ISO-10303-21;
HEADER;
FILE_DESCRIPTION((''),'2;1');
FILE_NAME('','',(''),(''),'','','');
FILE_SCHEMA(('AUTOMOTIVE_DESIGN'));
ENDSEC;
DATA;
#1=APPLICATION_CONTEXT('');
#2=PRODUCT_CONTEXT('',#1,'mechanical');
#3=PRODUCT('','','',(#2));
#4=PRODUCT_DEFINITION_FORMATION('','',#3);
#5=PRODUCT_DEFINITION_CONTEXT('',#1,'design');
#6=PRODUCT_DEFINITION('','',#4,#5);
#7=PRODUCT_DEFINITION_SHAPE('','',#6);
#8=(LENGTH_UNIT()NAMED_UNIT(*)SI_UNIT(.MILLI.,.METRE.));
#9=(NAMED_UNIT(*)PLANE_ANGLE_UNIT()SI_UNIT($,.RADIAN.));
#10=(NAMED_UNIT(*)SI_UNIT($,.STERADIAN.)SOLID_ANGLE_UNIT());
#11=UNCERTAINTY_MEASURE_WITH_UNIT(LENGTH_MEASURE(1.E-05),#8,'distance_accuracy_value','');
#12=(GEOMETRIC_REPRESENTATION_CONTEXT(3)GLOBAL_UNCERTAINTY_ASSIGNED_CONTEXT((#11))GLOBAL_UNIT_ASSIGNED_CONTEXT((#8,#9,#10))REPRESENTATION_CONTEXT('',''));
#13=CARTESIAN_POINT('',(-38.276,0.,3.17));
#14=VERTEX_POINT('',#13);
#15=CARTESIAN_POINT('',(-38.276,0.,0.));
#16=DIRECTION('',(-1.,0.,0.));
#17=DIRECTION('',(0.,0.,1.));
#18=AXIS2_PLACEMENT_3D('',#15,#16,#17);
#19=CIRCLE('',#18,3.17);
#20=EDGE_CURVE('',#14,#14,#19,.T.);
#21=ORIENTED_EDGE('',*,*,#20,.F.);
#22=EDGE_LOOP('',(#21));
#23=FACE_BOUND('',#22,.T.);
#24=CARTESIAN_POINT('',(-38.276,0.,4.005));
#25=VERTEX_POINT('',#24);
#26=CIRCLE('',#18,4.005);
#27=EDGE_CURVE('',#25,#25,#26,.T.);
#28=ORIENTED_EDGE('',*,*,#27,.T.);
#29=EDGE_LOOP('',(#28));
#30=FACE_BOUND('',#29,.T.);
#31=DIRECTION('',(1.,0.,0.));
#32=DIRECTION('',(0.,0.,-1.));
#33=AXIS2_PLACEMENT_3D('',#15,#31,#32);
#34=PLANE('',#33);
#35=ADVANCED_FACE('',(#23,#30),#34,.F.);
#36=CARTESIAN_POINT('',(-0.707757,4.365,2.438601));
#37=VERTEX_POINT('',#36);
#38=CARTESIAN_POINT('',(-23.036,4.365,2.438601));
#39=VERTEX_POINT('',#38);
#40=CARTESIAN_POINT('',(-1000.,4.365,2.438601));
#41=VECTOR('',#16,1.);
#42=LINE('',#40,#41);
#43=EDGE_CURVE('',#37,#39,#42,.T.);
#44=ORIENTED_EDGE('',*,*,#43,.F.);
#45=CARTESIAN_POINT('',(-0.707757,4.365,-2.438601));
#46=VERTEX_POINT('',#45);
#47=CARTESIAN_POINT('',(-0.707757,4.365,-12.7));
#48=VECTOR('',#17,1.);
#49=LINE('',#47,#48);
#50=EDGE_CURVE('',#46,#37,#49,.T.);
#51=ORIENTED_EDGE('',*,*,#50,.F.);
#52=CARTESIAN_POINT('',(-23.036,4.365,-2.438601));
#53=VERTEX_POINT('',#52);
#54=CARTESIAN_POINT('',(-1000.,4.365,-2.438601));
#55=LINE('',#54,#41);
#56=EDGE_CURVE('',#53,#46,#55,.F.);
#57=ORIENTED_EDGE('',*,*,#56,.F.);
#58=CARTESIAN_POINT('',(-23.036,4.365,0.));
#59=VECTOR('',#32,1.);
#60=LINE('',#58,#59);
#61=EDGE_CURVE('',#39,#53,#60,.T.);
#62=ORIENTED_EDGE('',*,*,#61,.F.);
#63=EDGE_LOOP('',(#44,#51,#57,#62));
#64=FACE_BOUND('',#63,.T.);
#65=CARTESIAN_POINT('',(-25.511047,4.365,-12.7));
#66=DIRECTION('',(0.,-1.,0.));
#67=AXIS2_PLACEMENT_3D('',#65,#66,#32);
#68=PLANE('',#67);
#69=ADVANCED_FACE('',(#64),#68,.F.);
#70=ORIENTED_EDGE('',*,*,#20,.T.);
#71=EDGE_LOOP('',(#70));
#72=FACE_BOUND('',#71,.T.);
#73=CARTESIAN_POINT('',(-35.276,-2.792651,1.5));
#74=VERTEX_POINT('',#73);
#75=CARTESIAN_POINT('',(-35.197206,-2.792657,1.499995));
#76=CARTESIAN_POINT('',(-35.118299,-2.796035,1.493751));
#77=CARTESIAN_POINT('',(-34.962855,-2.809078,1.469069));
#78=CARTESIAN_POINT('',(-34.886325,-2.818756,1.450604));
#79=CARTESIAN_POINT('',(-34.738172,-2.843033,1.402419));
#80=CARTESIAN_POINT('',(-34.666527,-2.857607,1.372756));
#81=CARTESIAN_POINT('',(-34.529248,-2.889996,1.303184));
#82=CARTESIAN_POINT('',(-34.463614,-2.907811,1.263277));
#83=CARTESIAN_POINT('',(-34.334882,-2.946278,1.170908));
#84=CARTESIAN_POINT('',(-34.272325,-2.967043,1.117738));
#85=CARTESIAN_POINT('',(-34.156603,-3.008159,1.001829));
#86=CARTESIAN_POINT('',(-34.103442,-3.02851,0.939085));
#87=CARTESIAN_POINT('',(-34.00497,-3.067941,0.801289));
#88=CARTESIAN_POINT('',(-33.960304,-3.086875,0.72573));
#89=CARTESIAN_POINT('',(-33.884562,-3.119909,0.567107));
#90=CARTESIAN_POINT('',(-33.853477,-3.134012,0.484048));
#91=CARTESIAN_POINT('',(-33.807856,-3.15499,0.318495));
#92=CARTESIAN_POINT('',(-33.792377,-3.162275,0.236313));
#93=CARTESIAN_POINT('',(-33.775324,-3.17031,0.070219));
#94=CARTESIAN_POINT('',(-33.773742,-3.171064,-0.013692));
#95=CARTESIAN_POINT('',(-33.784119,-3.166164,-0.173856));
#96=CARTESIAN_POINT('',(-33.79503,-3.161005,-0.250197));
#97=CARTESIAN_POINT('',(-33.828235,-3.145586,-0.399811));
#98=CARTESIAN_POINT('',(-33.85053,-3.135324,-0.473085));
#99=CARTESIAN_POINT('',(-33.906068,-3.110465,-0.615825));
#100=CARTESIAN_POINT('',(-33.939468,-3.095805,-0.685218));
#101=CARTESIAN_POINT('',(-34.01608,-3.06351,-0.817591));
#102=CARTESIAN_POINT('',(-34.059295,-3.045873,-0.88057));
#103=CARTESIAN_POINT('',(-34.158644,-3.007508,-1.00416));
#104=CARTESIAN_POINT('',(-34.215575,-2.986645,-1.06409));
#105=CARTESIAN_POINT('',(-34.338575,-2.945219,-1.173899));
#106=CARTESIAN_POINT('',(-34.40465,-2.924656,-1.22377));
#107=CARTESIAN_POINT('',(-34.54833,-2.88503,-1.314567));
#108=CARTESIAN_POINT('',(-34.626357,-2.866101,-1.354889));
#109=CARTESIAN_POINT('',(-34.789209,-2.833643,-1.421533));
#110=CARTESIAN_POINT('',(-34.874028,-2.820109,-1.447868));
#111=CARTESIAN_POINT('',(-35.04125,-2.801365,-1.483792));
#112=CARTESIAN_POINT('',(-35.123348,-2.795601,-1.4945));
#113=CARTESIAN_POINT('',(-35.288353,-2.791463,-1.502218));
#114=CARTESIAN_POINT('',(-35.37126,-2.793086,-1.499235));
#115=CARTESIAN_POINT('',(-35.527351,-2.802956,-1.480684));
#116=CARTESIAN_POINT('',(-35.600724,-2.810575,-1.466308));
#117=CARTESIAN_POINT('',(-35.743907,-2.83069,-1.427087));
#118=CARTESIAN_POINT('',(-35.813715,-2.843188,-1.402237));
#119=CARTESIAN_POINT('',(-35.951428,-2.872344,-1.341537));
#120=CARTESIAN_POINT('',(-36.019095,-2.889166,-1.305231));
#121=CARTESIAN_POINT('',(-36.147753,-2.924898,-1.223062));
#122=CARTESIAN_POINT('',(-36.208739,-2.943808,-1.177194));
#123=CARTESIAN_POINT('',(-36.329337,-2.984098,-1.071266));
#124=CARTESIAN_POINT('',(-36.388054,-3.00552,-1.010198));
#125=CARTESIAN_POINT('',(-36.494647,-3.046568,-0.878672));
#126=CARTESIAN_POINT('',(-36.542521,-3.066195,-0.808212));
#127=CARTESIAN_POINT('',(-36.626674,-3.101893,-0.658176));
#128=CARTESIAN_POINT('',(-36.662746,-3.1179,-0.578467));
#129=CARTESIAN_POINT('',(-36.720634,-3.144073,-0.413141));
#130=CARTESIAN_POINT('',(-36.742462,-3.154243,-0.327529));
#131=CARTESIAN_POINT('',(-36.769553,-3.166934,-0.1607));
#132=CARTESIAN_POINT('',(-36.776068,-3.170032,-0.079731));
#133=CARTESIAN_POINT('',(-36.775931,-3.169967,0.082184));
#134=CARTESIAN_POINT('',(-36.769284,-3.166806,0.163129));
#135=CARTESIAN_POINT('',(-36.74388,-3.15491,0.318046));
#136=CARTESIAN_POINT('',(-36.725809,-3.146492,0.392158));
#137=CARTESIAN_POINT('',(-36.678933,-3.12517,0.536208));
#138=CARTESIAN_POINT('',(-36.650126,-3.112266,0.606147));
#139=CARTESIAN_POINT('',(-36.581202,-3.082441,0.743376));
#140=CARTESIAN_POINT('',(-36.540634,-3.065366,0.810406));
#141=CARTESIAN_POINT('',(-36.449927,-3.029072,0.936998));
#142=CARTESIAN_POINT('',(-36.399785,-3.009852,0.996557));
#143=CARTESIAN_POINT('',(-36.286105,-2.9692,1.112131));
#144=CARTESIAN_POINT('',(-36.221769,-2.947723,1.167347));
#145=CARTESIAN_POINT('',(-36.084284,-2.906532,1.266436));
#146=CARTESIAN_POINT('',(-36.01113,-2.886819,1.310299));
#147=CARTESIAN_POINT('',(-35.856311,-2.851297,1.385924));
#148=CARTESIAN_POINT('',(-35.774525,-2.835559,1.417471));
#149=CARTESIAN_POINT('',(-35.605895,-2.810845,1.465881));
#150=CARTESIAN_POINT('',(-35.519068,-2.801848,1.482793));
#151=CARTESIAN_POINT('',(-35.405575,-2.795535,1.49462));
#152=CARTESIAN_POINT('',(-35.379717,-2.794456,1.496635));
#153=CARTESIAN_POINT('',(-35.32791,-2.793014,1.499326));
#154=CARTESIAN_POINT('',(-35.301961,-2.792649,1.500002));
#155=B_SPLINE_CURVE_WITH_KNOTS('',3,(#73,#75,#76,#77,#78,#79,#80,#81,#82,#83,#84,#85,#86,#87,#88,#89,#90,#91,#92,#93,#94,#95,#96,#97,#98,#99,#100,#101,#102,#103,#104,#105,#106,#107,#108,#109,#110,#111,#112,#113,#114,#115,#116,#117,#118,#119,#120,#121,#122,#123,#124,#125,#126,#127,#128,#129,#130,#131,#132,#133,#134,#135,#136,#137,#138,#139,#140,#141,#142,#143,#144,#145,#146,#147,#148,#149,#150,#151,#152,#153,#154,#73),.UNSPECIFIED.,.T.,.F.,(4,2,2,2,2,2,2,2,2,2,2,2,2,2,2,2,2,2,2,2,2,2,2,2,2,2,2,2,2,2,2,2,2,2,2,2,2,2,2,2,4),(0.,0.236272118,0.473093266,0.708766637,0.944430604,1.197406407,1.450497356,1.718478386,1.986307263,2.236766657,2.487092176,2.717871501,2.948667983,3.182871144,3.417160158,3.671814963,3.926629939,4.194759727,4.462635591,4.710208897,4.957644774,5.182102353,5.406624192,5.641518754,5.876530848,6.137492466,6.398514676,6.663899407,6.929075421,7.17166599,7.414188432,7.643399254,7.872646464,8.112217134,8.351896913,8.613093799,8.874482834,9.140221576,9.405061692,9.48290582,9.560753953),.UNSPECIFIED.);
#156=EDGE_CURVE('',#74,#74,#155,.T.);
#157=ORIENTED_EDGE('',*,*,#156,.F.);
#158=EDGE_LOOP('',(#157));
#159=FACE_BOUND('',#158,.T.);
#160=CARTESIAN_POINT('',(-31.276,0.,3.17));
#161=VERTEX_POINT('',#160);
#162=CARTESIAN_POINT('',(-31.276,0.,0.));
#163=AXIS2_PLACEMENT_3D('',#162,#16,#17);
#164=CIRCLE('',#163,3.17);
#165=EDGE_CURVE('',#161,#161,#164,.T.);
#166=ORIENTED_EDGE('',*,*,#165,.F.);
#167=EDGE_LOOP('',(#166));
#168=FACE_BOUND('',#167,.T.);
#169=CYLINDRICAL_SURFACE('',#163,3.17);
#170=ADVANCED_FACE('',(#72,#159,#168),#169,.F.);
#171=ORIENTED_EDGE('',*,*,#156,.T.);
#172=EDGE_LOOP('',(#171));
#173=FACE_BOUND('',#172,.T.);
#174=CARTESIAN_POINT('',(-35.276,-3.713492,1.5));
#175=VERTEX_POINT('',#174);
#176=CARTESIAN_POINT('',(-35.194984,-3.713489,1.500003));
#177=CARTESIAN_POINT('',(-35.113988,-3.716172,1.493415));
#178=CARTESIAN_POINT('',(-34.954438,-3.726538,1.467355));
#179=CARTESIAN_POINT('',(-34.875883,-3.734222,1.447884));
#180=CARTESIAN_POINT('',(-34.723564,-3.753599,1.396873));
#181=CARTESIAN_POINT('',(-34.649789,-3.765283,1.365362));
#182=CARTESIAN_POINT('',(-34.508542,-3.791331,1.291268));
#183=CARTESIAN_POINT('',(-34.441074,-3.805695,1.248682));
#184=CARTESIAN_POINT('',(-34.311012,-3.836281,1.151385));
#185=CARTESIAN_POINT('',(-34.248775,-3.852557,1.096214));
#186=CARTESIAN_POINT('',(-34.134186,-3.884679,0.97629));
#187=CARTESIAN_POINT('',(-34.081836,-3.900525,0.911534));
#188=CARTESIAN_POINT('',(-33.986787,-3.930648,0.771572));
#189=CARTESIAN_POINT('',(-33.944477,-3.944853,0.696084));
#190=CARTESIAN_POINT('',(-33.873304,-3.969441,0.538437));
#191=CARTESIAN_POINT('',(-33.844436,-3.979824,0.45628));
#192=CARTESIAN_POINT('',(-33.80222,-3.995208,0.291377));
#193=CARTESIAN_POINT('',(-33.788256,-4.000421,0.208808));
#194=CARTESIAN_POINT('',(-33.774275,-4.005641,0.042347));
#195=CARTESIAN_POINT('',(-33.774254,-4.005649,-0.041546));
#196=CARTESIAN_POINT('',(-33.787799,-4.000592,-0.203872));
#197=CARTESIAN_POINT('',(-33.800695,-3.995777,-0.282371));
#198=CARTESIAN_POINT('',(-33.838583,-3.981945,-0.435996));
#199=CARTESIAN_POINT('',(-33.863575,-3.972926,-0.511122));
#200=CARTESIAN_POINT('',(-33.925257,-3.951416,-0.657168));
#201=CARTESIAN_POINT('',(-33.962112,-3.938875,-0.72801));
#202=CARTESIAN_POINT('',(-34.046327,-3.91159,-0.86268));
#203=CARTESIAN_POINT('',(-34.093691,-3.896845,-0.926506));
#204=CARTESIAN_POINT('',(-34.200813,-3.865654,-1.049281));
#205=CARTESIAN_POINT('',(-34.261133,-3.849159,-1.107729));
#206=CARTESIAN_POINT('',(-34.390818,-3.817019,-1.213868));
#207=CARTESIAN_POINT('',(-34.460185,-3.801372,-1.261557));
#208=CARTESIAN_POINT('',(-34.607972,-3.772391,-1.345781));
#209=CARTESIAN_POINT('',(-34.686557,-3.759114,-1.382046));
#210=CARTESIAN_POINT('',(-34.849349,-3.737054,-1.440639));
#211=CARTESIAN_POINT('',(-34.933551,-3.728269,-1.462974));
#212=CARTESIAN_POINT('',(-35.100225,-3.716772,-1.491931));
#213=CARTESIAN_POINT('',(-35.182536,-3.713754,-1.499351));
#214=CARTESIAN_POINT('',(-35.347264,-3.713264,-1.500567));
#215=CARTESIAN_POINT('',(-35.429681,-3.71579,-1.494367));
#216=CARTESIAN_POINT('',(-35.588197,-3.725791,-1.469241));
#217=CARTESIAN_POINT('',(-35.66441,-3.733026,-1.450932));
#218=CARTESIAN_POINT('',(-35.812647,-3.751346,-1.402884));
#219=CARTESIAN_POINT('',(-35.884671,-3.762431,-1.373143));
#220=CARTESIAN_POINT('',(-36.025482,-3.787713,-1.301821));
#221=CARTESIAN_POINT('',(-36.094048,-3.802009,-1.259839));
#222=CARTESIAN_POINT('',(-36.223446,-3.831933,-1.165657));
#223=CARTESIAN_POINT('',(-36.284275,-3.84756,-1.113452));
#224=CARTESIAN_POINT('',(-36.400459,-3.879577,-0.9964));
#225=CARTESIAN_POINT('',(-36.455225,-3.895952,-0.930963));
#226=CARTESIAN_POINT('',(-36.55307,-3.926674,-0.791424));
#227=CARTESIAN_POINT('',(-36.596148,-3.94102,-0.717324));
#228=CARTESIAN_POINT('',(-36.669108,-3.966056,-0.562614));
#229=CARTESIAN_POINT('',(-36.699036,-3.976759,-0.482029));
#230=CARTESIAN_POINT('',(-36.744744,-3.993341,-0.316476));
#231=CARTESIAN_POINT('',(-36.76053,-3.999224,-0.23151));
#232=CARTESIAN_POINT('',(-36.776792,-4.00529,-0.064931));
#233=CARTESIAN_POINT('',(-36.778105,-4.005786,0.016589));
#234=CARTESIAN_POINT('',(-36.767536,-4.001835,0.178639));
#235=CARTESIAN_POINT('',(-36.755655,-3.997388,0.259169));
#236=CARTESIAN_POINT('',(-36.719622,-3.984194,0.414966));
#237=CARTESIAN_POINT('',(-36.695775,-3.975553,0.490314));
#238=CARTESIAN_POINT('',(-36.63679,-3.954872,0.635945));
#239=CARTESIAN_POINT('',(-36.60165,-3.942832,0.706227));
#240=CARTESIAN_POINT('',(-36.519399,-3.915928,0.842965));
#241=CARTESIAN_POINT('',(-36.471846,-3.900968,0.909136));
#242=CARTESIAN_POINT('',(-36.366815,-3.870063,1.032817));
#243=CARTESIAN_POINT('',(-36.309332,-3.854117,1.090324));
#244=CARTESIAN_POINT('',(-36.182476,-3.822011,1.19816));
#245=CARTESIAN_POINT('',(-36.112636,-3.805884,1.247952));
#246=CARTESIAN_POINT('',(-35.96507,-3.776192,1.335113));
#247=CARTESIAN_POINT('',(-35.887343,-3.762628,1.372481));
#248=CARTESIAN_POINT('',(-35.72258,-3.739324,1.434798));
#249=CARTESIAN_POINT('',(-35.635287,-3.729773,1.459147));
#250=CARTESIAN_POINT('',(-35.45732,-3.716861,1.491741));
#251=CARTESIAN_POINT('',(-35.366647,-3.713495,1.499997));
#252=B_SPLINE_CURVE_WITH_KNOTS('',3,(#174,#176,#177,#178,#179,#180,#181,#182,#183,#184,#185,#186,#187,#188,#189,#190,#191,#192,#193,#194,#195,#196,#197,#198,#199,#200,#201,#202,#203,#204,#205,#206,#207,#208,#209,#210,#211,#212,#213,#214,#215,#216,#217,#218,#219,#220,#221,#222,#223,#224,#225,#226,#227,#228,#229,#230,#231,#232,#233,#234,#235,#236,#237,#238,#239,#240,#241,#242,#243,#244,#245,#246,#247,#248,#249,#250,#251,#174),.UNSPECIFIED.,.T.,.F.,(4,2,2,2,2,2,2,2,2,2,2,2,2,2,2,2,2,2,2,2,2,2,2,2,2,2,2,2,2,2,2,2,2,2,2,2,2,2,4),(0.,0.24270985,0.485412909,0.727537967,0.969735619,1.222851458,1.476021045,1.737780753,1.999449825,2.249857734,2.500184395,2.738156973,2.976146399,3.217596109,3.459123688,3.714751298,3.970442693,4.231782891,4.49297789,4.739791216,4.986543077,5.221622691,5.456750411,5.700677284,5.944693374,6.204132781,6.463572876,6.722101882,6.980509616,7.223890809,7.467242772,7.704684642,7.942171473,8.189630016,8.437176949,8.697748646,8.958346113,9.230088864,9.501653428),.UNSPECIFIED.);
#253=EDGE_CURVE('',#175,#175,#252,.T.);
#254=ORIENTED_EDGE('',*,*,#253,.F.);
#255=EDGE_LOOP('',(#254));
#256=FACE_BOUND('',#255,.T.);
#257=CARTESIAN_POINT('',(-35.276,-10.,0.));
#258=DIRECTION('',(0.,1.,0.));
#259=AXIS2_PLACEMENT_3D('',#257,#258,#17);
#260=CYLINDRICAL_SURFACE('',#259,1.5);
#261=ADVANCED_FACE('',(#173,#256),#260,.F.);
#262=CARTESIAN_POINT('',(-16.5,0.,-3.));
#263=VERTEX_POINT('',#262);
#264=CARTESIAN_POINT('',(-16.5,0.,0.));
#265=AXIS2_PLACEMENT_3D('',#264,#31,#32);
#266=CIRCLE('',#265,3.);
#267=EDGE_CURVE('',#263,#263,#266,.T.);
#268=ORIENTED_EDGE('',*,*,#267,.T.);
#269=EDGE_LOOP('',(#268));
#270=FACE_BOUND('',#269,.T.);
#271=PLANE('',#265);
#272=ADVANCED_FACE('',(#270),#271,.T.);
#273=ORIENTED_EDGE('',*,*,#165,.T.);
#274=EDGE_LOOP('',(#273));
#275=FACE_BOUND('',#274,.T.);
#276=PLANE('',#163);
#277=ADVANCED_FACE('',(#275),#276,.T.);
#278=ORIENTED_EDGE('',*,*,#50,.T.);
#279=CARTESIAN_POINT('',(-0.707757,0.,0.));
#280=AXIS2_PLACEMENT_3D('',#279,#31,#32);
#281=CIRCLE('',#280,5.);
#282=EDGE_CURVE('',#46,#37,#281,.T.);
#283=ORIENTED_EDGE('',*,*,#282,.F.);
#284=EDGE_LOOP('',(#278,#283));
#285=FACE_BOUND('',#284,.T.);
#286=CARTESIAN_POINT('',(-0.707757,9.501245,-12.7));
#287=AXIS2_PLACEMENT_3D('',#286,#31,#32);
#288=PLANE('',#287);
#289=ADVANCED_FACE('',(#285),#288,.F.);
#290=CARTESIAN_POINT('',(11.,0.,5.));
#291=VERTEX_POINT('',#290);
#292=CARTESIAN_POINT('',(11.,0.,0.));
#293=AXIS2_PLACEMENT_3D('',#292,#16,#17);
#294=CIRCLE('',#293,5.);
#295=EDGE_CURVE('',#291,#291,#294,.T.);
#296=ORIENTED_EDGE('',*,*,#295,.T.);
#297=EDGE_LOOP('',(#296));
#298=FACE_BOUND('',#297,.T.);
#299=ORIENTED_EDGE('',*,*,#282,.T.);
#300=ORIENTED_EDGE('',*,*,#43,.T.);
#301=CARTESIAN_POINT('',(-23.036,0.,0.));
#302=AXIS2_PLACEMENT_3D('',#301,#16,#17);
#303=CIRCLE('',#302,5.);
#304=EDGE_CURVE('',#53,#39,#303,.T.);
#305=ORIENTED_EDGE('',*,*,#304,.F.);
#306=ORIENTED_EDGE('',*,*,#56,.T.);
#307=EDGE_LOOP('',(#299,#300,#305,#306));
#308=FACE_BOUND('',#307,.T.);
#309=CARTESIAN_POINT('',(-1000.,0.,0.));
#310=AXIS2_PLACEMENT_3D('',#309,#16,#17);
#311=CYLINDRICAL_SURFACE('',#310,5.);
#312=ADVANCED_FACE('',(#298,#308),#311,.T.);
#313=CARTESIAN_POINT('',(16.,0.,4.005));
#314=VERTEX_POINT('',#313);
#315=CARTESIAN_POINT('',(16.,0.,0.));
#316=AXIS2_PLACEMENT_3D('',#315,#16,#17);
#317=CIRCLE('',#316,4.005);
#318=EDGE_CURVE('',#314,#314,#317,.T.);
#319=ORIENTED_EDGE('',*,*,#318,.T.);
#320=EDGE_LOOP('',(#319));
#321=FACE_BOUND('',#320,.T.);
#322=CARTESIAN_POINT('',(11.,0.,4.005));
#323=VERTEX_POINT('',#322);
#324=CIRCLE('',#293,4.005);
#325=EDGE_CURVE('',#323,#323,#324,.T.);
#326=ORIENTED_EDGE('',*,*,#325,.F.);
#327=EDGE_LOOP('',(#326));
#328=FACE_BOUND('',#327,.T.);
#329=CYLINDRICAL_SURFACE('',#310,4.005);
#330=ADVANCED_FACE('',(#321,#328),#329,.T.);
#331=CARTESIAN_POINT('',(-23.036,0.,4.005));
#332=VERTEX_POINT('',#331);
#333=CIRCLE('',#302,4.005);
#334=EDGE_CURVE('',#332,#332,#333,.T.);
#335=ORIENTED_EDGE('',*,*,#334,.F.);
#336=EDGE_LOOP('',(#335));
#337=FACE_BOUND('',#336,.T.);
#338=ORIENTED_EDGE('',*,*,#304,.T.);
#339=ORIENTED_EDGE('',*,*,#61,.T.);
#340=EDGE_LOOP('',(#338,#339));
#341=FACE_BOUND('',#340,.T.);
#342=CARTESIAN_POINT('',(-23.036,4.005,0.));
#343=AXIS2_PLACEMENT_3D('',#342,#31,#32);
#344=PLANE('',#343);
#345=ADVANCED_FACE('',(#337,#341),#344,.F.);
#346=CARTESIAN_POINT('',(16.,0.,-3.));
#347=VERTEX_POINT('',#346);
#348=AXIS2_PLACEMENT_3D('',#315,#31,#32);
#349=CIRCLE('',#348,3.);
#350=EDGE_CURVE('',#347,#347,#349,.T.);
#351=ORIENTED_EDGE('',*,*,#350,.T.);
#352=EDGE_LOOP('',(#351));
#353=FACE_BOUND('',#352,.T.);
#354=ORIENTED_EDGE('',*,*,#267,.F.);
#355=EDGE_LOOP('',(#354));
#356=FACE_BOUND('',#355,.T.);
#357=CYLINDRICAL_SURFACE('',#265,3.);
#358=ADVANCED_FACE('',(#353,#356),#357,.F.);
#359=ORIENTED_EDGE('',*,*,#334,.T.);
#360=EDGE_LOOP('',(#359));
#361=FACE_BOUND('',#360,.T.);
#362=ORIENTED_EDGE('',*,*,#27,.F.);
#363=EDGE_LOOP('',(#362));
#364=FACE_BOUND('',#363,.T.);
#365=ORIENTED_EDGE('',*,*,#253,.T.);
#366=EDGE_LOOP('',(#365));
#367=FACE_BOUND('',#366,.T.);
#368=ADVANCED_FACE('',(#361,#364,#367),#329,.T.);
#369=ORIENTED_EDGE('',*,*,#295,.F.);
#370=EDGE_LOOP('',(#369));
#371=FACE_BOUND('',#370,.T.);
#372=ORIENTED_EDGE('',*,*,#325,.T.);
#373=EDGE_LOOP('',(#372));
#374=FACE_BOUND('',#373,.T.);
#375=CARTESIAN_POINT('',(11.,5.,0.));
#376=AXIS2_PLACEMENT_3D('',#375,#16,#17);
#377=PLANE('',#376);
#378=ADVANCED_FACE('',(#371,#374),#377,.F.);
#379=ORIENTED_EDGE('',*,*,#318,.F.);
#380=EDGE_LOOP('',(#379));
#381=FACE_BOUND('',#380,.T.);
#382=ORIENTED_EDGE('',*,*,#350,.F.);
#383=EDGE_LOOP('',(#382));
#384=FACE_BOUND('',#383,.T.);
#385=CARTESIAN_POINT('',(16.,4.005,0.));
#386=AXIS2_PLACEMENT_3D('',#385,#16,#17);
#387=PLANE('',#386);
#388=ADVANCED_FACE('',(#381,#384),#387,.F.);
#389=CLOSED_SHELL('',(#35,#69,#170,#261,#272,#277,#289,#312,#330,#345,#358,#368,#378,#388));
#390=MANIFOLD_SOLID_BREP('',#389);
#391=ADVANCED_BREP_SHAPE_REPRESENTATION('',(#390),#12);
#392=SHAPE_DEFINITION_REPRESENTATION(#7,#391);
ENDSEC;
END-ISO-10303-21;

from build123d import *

# Parameters (mm, degrees)
SKETCH8_R          = 1.5
CUT_EXTRUDE2_DEPTH = 10
SKETCH9_R          = 3.17
CUT_EXTRUDE3_DEPTH = 7
SKETCH10_R         = 3
CUT_EXTRUDE4_DEPTH = 32.5
SKETCH12_W         = 24.803289192
SKETCH12_H         = 5.136244689
CUT_EXTRUDE5_DEPTH = 12.7


with BuildPart() as part:
    # Sketch6 → Revolve1 (revolve)
    with BuildSketch(Plane.XY, mode=Mode.PRIVATE) as revolve1_sk:
        Polygon((-38.276, 0), (-38.276, 4.005), (-23.036, 4.005), (-23.036, 5), (11, 5), (11, 4.005), (16, 4.005), (16, 0), align=None)
    revolve(revolve1_sk.sketch.rotate(Axis((-1000, 0, 0), (1, 0, 0)), 90), axis=Axis((-1000, 0, 0), (1, 0, 0)))

    # Sketch8 → Cut-Extrude2 (cut)
    with BuildSketch(Plane(origin=(0, 0, 0), x_dir=(1, 0, 0), z_dir=(0, 1, 0))):
        with Locations(Location((-35.276, 0, 0), (0, 0, 270))):
            Circle(SKETCH8_R)
    extrude(amount=-CUT_EXTRUDE2_DEPTH, mode=Mode.SUBTRACT)

    # Sketch9 → Cut-Extrude3 (cut)
    with BuildSketch(Plane.ZY.offset(38.276)):
        Circle(SKETCH9_R)
    extrude(amount=-CUT_EXTRUDE3_DEPTH, mode=Mode.SUBTRACT)

    # Sketch10 → Cut-Extrude4 (cut)
    with BuildSketch(Plane(origin=(16, 0, 0), x_dir=(0, 0, -1), z_dir=(1, 0, 0))):
        Circle(SKETCH10_R)
    extrude(amount=-CUT_EXTRUDE4_DEPTH, mode=Mode.SUBTRACT)

    # Sketch12 → Cut-Extrude5 (cut, symmetric)
    with BuildSketch(Plane.XY):
        with Locations((-13.109401935, 6.933122345)):
            Rectangle(SKETCH12_W, SKETCH12_H)
    extrude(amount=CUT_EXTRUDE5_DEPTH, both=True, mode=Mode.SUBTRACT)


solid = part.part
